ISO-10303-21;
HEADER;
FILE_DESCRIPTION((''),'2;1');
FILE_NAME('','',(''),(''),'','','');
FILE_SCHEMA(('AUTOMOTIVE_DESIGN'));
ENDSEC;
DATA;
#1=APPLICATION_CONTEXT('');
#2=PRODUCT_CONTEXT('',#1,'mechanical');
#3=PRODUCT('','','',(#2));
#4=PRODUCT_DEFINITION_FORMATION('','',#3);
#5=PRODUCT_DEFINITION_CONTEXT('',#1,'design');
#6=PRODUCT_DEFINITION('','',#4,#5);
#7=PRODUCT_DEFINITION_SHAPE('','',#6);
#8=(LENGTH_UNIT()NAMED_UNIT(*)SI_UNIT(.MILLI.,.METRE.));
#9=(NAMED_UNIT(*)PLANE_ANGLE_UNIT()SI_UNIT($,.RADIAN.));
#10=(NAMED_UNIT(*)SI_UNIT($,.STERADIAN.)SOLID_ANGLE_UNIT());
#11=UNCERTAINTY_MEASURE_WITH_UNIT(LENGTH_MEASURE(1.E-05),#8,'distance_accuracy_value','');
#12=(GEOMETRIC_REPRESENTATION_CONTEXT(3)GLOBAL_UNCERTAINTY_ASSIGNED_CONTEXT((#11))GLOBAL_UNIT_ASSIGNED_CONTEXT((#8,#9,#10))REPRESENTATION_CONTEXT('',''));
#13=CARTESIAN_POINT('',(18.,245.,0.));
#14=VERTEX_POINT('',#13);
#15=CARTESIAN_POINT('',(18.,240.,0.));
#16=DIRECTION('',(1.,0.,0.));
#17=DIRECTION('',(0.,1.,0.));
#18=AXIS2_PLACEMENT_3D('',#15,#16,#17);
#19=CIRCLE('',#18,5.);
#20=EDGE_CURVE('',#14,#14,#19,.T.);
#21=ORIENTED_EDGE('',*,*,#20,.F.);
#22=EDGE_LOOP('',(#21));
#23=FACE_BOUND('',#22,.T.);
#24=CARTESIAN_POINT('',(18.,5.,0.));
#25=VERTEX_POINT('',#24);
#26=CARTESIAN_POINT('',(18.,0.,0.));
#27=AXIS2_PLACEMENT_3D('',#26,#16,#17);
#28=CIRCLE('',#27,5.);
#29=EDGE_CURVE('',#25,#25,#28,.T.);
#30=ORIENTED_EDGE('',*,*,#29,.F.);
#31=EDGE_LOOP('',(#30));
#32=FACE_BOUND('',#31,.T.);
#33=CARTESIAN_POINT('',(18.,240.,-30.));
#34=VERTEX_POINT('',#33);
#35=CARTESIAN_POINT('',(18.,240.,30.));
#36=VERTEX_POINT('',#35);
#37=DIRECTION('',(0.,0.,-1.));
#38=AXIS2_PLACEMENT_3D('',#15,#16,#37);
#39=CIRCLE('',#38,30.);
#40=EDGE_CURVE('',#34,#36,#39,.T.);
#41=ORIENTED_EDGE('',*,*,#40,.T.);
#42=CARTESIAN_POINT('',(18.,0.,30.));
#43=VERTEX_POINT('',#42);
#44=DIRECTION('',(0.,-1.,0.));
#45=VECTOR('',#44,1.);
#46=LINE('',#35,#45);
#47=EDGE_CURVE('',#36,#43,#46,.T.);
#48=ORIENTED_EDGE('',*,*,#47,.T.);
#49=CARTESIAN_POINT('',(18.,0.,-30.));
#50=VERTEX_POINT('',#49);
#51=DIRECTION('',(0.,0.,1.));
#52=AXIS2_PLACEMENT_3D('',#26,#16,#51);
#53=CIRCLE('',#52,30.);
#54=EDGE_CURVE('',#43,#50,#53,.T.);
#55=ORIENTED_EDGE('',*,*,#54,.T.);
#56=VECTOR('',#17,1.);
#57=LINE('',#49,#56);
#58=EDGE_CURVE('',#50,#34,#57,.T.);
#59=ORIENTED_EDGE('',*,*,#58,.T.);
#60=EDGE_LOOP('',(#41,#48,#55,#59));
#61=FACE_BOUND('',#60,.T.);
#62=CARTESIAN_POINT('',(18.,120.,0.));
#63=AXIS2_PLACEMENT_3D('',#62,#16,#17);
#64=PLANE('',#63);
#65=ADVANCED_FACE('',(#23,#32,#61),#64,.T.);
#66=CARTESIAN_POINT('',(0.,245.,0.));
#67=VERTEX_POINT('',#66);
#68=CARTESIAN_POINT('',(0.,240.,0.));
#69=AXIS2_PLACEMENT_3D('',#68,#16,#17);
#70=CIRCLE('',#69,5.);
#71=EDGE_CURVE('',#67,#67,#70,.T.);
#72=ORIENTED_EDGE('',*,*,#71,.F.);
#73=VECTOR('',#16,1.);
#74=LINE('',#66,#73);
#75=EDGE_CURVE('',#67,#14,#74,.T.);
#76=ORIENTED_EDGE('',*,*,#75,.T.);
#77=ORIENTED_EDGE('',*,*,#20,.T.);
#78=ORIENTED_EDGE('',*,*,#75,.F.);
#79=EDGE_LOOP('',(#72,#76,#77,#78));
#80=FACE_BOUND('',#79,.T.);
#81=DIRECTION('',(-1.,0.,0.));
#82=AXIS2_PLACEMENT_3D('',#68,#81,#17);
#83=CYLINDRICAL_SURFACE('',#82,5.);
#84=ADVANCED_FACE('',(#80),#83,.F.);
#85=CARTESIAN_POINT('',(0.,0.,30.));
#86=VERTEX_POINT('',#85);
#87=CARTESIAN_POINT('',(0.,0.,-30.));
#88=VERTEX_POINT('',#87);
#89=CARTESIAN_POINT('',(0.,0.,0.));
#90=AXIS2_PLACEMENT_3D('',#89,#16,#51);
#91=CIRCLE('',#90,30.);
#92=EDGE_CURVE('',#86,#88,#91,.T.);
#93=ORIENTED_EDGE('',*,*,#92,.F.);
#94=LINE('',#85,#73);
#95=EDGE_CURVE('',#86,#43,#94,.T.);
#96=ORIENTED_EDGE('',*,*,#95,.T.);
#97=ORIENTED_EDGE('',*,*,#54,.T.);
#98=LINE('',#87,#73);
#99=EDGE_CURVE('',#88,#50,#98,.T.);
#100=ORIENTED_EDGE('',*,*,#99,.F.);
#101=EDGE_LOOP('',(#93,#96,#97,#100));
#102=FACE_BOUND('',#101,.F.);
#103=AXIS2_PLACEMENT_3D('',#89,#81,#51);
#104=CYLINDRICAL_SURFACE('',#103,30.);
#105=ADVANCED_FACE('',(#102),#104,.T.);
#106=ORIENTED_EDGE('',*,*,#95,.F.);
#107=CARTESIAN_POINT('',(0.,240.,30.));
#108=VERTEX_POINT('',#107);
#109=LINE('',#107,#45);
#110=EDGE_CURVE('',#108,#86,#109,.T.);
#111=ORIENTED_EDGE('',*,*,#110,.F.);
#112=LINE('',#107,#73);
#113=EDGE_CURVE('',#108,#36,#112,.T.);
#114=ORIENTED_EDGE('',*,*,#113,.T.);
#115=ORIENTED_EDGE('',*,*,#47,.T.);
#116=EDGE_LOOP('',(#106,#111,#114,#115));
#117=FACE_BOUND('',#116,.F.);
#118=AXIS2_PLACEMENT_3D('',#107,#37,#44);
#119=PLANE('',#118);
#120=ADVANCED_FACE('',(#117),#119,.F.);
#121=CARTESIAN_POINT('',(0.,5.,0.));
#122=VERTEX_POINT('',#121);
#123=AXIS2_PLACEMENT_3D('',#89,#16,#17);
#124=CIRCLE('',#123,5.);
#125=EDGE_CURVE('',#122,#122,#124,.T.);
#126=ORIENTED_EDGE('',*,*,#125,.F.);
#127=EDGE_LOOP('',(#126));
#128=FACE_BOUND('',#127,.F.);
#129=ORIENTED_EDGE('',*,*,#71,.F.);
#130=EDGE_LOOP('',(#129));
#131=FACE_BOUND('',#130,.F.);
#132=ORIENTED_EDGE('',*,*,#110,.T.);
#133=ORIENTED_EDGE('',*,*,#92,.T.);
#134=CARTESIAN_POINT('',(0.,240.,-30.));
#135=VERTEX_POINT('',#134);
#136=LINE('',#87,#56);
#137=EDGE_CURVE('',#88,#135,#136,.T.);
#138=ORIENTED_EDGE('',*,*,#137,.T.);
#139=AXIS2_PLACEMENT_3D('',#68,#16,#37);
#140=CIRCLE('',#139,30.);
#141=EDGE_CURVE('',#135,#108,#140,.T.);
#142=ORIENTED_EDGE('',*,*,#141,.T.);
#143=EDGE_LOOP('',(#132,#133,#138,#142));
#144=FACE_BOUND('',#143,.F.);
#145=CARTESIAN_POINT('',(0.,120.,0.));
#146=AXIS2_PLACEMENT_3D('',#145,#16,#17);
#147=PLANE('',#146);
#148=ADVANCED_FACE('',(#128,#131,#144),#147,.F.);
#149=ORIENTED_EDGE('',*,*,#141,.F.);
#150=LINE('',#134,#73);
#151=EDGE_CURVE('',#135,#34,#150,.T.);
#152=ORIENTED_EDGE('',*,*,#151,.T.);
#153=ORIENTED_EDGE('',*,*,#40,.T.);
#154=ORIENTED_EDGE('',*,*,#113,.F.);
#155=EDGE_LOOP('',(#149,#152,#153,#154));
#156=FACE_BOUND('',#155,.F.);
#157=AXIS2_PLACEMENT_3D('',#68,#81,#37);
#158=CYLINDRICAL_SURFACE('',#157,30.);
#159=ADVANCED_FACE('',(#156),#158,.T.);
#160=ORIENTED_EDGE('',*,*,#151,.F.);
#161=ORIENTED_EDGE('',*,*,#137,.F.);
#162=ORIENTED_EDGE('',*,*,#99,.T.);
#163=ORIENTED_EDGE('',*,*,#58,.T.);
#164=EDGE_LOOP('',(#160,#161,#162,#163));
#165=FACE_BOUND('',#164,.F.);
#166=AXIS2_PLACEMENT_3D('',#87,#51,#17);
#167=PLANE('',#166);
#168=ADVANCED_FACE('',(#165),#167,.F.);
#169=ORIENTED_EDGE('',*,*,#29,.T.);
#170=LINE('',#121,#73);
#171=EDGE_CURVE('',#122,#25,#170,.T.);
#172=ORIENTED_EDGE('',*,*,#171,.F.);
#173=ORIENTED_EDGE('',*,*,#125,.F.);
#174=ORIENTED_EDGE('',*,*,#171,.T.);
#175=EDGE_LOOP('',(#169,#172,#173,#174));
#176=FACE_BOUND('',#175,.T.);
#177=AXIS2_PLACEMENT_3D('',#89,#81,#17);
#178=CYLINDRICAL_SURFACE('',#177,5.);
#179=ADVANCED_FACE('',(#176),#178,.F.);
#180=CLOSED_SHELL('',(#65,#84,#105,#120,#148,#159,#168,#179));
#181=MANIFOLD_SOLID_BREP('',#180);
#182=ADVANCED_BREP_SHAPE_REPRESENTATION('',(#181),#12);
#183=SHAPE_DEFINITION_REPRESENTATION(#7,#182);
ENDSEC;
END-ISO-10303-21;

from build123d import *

# Parameters (mm, degrees)
F0_R     = 5
F1_DEPTH = 18


with BuildPart() as f1:
    # F0 (on Right) → F1 (new body)
    with BuildSketch(Plane.YZ):
        with BuildLine():
            Line((240, 30), (0, 30))
            ThreePointArc((0, 30), (-30, 0), (0, -30))
            Line((0, -30), (240, -30))
            ThreePointArc((240, -30), (270, 0), (240, 30))
        make_face()
        Circle(F0_R, mode=Mode.SUBTRACT)
        with Locations((240, 0)):
            Circle(F0_R, mode=Mode.SUBTRACT)
    extrude(amount=F1_DEPTH)


solid = f1.part
